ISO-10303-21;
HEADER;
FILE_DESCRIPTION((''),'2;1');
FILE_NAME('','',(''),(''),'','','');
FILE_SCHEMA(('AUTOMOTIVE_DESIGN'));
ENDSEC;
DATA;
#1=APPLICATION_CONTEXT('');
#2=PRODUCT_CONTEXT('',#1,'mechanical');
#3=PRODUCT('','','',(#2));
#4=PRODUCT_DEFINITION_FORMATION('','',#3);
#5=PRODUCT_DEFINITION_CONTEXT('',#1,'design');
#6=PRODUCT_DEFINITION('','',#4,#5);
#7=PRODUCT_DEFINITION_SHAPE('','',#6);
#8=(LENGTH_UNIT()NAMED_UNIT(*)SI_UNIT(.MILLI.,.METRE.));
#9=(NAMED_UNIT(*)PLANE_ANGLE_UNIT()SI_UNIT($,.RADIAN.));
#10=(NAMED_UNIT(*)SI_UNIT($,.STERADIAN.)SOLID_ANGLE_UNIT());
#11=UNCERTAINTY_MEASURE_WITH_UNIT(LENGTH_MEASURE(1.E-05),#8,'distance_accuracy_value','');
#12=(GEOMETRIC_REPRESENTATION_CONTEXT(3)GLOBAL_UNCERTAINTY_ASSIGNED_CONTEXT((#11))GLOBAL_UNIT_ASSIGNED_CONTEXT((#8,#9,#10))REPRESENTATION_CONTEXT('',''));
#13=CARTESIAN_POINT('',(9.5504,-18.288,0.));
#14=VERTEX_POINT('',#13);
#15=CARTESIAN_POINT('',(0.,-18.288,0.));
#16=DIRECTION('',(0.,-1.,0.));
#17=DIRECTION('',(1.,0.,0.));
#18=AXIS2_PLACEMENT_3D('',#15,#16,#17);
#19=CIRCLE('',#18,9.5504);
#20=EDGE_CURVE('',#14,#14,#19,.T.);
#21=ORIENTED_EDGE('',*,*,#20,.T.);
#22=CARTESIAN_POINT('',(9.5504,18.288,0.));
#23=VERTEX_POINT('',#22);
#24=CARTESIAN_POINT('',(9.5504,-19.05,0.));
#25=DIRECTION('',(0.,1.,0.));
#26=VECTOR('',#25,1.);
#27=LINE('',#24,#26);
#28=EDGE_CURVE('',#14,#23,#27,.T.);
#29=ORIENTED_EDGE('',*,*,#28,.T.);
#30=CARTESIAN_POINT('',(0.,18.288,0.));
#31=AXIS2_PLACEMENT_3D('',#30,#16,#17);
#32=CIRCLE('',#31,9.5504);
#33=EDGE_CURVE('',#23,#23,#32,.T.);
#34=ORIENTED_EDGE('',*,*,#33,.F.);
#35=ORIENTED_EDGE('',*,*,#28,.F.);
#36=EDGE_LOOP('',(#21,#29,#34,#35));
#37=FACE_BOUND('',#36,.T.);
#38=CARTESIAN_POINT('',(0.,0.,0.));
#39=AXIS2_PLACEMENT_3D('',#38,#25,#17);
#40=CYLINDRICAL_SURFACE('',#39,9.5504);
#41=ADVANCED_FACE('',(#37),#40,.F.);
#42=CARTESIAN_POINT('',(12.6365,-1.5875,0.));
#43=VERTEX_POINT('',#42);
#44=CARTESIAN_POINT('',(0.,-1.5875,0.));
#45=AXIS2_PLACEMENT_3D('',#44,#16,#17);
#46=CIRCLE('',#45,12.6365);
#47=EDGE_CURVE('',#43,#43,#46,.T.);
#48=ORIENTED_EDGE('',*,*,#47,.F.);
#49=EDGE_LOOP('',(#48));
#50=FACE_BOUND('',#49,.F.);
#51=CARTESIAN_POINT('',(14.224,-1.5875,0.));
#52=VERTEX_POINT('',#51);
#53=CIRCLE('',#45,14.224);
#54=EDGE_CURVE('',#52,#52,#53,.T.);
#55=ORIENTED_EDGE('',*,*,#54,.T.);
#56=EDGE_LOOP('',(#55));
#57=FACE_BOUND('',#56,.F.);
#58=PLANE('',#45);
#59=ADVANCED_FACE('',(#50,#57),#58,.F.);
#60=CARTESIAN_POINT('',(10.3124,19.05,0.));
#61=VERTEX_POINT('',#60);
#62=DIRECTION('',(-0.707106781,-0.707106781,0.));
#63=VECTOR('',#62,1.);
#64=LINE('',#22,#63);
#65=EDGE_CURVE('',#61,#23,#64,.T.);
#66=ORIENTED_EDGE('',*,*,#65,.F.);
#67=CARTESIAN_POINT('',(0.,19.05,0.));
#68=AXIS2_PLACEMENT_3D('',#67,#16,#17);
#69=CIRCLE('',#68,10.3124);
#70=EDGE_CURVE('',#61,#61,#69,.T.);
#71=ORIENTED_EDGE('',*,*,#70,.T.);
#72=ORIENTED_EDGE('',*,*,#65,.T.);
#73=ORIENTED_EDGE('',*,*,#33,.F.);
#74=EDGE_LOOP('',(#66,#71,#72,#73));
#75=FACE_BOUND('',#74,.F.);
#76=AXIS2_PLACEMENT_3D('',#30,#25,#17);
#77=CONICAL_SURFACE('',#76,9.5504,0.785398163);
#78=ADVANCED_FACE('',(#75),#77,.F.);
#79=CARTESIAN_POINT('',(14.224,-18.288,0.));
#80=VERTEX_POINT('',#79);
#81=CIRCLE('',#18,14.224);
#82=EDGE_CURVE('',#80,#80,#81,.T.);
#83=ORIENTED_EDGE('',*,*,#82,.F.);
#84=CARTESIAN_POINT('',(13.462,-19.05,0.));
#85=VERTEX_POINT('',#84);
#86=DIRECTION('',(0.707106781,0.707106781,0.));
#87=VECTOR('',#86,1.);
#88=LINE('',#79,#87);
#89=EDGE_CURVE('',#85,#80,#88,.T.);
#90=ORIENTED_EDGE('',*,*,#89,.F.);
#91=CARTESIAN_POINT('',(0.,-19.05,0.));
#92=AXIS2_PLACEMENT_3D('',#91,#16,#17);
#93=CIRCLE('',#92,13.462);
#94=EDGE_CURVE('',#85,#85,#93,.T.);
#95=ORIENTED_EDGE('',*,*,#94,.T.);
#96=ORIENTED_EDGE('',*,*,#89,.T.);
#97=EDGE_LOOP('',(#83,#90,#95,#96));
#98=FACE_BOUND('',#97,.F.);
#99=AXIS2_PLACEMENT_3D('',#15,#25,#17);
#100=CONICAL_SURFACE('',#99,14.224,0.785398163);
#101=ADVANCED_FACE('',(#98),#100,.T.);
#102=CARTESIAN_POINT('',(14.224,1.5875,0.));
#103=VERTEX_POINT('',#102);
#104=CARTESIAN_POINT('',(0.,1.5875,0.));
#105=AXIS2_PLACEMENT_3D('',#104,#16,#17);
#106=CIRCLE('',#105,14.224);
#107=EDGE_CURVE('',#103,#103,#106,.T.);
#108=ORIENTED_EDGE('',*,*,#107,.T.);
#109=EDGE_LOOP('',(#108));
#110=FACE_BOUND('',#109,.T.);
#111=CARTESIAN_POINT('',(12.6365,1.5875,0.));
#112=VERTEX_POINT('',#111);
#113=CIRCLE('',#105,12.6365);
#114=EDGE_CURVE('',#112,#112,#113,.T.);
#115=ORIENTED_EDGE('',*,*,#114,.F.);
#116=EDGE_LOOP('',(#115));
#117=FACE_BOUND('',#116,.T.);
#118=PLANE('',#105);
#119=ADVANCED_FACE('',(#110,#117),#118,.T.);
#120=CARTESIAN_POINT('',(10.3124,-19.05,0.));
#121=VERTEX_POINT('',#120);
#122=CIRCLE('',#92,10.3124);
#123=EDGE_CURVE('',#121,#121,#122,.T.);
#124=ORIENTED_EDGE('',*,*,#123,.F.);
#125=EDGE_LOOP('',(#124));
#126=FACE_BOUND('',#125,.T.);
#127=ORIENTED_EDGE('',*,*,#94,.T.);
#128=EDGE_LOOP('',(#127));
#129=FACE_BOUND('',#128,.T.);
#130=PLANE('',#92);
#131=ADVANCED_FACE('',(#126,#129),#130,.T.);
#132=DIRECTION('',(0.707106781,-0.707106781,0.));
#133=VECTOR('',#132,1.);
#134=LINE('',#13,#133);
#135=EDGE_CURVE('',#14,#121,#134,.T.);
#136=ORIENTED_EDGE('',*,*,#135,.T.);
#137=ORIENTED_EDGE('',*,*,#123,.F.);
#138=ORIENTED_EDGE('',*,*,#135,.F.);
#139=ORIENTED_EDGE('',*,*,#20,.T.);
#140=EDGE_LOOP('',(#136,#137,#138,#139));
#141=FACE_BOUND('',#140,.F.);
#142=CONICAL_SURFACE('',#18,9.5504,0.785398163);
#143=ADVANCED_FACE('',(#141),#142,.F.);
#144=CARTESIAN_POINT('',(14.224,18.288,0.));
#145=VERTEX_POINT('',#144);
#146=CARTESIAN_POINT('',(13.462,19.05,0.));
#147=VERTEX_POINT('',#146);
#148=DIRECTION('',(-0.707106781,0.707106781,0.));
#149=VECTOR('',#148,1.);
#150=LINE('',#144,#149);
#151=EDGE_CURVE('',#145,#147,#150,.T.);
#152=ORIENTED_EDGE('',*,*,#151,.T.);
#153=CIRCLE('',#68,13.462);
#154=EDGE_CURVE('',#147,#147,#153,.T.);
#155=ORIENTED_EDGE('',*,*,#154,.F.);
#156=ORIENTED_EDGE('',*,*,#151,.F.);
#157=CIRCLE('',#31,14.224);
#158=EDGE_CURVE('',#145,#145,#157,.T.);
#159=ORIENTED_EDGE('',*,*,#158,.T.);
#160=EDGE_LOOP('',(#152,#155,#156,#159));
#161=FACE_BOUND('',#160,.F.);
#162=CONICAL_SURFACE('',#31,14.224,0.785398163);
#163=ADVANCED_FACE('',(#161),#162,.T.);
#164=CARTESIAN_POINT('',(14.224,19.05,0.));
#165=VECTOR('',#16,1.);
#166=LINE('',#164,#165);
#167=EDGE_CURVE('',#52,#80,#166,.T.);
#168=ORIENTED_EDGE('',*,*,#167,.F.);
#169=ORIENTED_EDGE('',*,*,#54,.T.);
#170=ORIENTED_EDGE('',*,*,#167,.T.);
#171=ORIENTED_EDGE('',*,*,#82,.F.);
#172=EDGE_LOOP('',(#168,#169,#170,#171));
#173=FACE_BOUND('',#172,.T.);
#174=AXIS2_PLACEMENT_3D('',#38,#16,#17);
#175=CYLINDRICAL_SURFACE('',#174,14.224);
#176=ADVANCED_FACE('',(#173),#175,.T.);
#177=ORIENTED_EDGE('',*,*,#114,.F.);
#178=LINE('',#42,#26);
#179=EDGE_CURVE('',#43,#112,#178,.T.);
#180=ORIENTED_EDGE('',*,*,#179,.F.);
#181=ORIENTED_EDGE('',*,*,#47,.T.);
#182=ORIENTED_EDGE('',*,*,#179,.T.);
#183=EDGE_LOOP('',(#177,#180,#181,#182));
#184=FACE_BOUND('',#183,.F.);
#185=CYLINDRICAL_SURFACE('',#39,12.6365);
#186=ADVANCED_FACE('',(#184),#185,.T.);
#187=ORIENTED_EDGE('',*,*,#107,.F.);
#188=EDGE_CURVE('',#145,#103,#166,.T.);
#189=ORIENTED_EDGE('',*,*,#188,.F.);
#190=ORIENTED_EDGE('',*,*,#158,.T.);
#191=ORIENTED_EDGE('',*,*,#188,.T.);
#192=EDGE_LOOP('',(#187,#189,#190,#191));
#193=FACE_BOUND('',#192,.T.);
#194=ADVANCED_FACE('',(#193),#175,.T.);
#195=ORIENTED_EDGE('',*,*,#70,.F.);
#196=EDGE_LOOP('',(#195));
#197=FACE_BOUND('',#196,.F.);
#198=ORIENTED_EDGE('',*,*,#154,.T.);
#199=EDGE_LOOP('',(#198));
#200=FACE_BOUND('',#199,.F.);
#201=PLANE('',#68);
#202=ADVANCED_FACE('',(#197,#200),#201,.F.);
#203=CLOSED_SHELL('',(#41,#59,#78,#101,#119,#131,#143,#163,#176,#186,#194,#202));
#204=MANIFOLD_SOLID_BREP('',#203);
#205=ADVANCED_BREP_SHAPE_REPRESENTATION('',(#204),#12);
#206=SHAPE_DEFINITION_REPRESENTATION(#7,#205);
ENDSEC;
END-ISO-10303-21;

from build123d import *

# Parameters (mm, degrees)
F0_R     = 14.224
F0_R_2   = 9.5504
F1_DEPTH = 19.05
F2_R     = 14.224
F2_R_2   = 12.6365
F3_DEPTH = 1.5875
F4_SIZE  = 0.762


with BuildPart() as f1:
    # F0 (on Front) → F1 (new body, symmetric)
    with BuildSketch(Plane.XZ):
        Circle(F0_R)
        Circle(F0_R_2, mode=Mode.SUBTRACT)
    extrude(amount=F1_DEPTH, both=True)

    # F2 (on Front) → F3 (cut, symmetric)
    with BuildSketch(Plane.XZ):
        Circle(F2_R)
        Circle(F2_R_2, mode=Mode.SUBTRACT)
    extrude(amount=F3_DEPTH, both=True, mode=Mode.SUBTRACT)

    # F4
    f4_edges = [f1.edges().sort_by_distance(p)[0] for p in [
        (-14.224, 19.05, 0),
        (-14.224, -19.05, 0),
        (-9.5504, 19.05, 0),
        (-9.5504, -19.05, 0),
    ]]
    chamfer(f4_edges, length=F4_SIZE)


solid = f1.part
